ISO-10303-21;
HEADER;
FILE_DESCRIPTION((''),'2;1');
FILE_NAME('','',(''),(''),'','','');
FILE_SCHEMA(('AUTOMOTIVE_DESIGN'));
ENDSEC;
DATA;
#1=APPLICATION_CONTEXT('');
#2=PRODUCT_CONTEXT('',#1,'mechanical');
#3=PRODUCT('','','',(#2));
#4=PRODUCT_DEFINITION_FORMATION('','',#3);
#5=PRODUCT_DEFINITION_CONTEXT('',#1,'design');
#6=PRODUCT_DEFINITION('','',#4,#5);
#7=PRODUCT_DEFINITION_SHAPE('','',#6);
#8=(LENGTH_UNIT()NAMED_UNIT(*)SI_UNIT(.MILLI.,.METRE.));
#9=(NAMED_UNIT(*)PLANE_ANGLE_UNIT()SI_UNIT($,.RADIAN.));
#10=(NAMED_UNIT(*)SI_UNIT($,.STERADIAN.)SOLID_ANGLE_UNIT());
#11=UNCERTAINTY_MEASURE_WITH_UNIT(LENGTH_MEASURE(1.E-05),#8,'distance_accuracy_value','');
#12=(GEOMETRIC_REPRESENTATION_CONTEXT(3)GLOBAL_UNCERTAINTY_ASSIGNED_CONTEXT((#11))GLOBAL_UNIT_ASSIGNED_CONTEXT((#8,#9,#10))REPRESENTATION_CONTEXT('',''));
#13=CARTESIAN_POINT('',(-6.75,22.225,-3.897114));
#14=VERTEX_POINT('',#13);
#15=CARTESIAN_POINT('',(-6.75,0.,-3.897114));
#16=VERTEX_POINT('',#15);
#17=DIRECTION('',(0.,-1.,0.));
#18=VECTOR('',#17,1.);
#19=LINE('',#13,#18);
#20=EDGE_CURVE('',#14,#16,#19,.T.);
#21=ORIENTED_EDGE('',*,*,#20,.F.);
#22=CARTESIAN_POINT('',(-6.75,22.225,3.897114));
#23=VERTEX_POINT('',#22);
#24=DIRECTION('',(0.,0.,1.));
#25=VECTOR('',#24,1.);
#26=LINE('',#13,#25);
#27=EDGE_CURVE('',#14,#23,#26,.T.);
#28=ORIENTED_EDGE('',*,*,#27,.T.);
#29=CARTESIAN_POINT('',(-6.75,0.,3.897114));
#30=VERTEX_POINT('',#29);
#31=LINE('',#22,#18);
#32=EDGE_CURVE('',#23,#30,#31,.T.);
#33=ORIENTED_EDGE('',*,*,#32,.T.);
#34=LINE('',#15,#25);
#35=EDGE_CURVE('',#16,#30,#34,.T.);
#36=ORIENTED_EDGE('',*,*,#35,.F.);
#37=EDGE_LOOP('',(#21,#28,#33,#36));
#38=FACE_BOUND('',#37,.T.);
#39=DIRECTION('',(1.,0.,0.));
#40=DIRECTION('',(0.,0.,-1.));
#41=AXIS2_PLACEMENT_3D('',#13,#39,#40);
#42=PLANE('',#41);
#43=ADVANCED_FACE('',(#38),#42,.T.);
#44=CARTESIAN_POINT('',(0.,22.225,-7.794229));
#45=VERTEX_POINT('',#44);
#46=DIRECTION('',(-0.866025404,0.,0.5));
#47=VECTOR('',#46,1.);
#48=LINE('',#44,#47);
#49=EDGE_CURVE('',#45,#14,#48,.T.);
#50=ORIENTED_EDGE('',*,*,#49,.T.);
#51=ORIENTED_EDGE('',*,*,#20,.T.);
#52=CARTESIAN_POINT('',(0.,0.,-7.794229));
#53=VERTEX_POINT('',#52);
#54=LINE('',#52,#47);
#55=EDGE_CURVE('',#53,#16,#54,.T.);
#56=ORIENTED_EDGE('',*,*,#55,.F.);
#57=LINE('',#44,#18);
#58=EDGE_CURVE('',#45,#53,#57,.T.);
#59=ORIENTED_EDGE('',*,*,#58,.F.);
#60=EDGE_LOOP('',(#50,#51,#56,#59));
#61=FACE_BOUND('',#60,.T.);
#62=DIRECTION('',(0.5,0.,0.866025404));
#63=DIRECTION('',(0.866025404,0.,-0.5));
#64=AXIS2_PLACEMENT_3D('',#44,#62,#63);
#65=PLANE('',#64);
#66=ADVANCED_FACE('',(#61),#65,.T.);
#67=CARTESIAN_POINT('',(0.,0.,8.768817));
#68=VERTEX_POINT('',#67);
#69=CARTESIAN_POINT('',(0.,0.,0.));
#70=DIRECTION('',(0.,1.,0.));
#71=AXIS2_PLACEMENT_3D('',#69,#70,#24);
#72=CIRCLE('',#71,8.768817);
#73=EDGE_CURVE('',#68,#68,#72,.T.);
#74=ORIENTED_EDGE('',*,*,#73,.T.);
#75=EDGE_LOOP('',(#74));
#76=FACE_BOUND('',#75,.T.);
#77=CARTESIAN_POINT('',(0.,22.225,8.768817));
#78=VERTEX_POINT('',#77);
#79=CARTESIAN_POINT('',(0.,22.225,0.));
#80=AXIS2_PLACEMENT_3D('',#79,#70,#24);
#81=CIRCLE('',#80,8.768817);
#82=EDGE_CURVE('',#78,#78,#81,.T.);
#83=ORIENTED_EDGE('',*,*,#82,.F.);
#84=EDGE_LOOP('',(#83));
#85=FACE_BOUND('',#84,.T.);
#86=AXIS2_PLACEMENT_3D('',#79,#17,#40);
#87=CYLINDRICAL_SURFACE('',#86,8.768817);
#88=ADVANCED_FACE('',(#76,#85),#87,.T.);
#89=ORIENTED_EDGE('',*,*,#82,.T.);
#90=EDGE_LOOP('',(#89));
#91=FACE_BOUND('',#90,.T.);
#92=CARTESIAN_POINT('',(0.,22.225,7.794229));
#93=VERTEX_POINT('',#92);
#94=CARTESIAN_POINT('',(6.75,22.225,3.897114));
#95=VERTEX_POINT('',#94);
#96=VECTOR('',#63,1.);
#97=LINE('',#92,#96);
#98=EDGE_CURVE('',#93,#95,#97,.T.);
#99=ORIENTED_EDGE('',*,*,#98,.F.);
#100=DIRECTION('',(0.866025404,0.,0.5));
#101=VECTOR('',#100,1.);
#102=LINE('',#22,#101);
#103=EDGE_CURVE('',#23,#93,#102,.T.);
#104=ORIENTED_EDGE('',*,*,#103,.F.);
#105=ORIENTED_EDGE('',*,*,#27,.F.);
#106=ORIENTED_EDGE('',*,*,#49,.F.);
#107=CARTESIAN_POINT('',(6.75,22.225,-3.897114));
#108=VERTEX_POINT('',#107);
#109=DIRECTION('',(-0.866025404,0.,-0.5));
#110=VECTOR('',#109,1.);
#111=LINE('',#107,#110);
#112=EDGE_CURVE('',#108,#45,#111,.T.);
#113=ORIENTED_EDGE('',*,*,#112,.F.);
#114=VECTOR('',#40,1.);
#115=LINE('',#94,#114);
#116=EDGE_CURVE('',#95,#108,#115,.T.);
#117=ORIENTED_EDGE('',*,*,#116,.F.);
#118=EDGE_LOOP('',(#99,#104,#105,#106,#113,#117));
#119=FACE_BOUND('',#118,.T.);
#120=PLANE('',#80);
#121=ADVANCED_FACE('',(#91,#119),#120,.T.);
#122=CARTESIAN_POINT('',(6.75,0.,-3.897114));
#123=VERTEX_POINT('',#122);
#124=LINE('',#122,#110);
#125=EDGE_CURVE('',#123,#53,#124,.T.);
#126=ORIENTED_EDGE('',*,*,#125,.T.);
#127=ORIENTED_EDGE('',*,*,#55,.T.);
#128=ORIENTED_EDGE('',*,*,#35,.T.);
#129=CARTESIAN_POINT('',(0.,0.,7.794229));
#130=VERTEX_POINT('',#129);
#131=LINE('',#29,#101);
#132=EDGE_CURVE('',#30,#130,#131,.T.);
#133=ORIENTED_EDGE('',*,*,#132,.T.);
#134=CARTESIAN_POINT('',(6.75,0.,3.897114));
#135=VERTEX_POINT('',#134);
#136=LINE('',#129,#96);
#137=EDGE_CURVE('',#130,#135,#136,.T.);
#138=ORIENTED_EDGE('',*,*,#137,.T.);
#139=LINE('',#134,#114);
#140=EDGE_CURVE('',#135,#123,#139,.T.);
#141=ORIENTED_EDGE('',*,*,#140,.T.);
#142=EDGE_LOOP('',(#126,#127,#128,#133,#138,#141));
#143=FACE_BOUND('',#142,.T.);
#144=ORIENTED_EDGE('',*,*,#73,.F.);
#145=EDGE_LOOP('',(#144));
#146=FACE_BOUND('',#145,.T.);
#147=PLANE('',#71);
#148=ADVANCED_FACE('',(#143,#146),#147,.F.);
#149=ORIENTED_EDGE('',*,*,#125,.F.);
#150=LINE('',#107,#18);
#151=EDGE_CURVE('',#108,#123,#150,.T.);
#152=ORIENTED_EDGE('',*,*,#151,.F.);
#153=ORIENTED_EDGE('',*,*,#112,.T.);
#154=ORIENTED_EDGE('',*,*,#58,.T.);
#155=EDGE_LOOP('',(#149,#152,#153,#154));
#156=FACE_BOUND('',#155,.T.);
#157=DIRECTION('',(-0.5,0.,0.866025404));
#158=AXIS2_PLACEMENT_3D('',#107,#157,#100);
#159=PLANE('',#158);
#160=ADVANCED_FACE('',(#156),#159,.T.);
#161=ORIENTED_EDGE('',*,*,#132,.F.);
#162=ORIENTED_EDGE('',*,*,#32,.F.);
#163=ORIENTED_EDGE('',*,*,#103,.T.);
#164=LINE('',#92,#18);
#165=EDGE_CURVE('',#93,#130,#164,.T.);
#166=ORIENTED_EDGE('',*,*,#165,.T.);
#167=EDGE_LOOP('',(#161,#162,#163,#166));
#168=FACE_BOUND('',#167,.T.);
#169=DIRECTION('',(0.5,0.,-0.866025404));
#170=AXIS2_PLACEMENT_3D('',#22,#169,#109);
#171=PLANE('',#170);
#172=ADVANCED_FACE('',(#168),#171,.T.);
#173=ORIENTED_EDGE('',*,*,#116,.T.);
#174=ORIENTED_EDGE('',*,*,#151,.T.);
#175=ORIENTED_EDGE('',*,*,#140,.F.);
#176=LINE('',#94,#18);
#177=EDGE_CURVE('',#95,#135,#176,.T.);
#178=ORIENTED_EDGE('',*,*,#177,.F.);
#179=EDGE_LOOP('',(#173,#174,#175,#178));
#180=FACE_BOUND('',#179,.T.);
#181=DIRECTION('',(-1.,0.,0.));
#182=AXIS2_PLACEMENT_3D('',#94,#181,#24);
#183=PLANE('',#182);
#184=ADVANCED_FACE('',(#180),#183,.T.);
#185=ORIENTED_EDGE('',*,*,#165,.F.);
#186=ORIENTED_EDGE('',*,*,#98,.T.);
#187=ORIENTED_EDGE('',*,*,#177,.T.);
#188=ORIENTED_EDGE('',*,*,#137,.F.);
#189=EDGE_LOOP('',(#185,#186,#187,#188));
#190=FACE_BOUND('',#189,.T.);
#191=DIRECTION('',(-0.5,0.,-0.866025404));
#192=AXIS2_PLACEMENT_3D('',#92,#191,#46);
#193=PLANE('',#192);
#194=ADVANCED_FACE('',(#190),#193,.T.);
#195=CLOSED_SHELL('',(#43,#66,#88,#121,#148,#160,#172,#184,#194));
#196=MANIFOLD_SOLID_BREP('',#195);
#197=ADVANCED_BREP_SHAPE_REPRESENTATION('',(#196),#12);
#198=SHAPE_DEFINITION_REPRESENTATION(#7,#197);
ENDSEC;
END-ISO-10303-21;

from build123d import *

# Parameters (mm, degrees)
SKETCH1_R           = 8.768816794
BOSS_EXTRUDE1_DEPTH = 22.225


with BuildPart() as part:
    # Sketch1 → Boss-Extrude1 (new body)
    with BuildSketch(Plane(origin=(0, 0, 0), x_dir=(1, 0, 0), z_dir=(0, 1, 0))):
        with Locations(Location((0, 0, 0), (0, 0, 270))):
            Circle(SKETCH1_R)
        Polygon((0, 7.794228634), (-6.75, 3.897114317), (-6.75, -3.897114317), (0, -7.794228634), (6.75, -3.897114317), (6.75, 3.897114317), align=None, mode=Mode.SUBTRACT)
    extrude(amount=BOSS_EXTRUDE1_DEPTH)


solid = part.part
